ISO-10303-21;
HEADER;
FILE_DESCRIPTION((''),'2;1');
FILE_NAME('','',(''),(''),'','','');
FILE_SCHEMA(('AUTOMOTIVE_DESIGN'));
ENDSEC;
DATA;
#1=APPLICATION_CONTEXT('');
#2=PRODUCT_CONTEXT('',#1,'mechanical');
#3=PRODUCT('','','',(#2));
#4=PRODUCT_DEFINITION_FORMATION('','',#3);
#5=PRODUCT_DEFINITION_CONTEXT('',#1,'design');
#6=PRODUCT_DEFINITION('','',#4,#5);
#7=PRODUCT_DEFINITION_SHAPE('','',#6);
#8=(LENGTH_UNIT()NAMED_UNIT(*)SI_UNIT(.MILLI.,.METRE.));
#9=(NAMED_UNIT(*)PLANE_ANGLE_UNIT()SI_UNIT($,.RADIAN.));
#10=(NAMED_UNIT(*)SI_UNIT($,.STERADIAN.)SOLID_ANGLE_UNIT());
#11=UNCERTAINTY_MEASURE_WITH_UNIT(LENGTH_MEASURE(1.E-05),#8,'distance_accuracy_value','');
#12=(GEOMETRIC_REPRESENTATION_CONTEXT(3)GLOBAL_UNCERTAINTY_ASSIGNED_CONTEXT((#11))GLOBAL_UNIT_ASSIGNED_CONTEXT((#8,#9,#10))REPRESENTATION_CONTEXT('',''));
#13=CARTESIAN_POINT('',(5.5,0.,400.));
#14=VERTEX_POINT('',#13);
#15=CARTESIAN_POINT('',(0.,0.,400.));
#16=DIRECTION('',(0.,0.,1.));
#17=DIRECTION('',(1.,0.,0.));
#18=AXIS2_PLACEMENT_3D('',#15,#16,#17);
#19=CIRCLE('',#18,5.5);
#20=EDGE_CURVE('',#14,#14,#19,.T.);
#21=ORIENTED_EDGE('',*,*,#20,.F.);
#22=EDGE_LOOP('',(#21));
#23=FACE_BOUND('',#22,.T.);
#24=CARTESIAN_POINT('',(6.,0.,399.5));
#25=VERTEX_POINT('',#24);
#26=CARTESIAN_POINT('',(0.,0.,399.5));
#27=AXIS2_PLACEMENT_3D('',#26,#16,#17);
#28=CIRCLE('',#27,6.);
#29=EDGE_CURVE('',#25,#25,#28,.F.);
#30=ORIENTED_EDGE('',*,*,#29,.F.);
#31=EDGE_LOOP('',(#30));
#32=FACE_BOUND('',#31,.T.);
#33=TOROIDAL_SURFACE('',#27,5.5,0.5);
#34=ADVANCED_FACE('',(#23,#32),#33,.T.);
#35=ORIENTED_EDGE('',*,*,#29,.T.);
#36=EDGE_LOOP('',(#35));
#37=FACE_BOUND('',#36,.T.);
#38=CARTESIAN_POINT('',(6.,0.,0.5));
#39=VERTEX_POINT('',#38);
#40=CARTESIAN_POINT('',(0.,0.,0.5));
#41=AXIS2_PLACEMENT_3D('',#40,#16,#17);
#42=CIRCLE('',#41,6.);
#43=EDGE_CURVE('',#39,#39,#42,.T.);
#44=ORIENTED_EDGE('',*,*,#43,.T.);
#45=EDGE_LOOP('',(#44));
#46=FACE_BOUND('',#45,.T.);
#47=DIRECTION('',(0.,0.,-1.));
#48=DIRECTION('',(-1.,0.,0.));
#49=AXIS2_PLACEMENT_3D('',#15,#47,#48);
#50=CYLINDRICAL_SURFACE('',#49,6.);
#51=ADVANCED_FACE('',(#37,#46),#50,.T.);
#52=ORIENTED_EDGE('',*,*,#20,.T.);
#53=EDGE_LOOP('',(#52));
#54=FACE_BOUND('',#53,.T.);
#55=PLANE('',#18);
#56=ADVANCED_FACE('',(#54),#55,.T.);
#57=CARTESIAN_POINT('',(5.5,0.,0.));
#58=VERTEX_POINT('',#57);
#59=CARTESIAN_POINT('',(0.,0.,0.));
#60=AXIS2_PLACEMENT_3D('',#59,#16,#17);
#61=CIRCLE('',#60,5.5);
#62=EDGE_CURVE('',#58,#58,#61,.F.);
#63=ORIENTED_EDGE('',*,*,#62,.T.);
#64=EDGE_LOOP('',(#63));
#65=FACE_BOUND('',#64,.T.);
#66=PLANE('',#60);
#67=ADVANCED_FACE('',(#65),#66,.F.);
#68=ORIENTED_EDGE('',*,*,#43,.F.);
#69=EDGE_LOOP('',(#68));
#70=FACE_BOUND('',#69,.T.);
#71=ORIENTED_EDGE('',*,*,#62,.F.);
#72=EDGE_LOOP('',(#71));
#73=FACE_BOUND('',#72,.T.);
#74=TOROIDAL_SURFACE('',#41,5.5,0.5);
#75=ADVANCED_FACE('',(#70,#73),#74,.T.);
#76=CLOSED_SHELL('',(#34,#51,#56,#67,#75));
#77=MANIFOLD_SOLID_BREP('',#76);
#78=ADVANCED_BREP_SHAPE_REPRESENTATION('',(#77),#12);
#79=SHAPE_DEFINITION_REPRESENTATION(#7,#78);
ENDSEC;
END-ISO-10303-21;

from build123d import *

# Parameters (mm, degrees)
CROQUIS1_R              = 6
SALIENTE_EXTRUIR1_DEPTH = 400
REDONDEO1_R             = 0.5


with BuildPart() as part:
    # Croquis1 → Saliente-Extruir1 (new body)
    with BuildSketch(Plane.XY):
        Circle(CROQUIS1_R)
    extrude(amount=SALIENTE_EXTRUIR1_DEPTH)

    # Redondeo1
    redondeo1_edges = [part.edges().sort_by_distance(p)[0] for p in [
        (-6, 0, 0),
        (-6, 0, 400),
    ]]
    fillet(redondeo1_edges, radius=REDONDEO1_R)


solid = part.part
